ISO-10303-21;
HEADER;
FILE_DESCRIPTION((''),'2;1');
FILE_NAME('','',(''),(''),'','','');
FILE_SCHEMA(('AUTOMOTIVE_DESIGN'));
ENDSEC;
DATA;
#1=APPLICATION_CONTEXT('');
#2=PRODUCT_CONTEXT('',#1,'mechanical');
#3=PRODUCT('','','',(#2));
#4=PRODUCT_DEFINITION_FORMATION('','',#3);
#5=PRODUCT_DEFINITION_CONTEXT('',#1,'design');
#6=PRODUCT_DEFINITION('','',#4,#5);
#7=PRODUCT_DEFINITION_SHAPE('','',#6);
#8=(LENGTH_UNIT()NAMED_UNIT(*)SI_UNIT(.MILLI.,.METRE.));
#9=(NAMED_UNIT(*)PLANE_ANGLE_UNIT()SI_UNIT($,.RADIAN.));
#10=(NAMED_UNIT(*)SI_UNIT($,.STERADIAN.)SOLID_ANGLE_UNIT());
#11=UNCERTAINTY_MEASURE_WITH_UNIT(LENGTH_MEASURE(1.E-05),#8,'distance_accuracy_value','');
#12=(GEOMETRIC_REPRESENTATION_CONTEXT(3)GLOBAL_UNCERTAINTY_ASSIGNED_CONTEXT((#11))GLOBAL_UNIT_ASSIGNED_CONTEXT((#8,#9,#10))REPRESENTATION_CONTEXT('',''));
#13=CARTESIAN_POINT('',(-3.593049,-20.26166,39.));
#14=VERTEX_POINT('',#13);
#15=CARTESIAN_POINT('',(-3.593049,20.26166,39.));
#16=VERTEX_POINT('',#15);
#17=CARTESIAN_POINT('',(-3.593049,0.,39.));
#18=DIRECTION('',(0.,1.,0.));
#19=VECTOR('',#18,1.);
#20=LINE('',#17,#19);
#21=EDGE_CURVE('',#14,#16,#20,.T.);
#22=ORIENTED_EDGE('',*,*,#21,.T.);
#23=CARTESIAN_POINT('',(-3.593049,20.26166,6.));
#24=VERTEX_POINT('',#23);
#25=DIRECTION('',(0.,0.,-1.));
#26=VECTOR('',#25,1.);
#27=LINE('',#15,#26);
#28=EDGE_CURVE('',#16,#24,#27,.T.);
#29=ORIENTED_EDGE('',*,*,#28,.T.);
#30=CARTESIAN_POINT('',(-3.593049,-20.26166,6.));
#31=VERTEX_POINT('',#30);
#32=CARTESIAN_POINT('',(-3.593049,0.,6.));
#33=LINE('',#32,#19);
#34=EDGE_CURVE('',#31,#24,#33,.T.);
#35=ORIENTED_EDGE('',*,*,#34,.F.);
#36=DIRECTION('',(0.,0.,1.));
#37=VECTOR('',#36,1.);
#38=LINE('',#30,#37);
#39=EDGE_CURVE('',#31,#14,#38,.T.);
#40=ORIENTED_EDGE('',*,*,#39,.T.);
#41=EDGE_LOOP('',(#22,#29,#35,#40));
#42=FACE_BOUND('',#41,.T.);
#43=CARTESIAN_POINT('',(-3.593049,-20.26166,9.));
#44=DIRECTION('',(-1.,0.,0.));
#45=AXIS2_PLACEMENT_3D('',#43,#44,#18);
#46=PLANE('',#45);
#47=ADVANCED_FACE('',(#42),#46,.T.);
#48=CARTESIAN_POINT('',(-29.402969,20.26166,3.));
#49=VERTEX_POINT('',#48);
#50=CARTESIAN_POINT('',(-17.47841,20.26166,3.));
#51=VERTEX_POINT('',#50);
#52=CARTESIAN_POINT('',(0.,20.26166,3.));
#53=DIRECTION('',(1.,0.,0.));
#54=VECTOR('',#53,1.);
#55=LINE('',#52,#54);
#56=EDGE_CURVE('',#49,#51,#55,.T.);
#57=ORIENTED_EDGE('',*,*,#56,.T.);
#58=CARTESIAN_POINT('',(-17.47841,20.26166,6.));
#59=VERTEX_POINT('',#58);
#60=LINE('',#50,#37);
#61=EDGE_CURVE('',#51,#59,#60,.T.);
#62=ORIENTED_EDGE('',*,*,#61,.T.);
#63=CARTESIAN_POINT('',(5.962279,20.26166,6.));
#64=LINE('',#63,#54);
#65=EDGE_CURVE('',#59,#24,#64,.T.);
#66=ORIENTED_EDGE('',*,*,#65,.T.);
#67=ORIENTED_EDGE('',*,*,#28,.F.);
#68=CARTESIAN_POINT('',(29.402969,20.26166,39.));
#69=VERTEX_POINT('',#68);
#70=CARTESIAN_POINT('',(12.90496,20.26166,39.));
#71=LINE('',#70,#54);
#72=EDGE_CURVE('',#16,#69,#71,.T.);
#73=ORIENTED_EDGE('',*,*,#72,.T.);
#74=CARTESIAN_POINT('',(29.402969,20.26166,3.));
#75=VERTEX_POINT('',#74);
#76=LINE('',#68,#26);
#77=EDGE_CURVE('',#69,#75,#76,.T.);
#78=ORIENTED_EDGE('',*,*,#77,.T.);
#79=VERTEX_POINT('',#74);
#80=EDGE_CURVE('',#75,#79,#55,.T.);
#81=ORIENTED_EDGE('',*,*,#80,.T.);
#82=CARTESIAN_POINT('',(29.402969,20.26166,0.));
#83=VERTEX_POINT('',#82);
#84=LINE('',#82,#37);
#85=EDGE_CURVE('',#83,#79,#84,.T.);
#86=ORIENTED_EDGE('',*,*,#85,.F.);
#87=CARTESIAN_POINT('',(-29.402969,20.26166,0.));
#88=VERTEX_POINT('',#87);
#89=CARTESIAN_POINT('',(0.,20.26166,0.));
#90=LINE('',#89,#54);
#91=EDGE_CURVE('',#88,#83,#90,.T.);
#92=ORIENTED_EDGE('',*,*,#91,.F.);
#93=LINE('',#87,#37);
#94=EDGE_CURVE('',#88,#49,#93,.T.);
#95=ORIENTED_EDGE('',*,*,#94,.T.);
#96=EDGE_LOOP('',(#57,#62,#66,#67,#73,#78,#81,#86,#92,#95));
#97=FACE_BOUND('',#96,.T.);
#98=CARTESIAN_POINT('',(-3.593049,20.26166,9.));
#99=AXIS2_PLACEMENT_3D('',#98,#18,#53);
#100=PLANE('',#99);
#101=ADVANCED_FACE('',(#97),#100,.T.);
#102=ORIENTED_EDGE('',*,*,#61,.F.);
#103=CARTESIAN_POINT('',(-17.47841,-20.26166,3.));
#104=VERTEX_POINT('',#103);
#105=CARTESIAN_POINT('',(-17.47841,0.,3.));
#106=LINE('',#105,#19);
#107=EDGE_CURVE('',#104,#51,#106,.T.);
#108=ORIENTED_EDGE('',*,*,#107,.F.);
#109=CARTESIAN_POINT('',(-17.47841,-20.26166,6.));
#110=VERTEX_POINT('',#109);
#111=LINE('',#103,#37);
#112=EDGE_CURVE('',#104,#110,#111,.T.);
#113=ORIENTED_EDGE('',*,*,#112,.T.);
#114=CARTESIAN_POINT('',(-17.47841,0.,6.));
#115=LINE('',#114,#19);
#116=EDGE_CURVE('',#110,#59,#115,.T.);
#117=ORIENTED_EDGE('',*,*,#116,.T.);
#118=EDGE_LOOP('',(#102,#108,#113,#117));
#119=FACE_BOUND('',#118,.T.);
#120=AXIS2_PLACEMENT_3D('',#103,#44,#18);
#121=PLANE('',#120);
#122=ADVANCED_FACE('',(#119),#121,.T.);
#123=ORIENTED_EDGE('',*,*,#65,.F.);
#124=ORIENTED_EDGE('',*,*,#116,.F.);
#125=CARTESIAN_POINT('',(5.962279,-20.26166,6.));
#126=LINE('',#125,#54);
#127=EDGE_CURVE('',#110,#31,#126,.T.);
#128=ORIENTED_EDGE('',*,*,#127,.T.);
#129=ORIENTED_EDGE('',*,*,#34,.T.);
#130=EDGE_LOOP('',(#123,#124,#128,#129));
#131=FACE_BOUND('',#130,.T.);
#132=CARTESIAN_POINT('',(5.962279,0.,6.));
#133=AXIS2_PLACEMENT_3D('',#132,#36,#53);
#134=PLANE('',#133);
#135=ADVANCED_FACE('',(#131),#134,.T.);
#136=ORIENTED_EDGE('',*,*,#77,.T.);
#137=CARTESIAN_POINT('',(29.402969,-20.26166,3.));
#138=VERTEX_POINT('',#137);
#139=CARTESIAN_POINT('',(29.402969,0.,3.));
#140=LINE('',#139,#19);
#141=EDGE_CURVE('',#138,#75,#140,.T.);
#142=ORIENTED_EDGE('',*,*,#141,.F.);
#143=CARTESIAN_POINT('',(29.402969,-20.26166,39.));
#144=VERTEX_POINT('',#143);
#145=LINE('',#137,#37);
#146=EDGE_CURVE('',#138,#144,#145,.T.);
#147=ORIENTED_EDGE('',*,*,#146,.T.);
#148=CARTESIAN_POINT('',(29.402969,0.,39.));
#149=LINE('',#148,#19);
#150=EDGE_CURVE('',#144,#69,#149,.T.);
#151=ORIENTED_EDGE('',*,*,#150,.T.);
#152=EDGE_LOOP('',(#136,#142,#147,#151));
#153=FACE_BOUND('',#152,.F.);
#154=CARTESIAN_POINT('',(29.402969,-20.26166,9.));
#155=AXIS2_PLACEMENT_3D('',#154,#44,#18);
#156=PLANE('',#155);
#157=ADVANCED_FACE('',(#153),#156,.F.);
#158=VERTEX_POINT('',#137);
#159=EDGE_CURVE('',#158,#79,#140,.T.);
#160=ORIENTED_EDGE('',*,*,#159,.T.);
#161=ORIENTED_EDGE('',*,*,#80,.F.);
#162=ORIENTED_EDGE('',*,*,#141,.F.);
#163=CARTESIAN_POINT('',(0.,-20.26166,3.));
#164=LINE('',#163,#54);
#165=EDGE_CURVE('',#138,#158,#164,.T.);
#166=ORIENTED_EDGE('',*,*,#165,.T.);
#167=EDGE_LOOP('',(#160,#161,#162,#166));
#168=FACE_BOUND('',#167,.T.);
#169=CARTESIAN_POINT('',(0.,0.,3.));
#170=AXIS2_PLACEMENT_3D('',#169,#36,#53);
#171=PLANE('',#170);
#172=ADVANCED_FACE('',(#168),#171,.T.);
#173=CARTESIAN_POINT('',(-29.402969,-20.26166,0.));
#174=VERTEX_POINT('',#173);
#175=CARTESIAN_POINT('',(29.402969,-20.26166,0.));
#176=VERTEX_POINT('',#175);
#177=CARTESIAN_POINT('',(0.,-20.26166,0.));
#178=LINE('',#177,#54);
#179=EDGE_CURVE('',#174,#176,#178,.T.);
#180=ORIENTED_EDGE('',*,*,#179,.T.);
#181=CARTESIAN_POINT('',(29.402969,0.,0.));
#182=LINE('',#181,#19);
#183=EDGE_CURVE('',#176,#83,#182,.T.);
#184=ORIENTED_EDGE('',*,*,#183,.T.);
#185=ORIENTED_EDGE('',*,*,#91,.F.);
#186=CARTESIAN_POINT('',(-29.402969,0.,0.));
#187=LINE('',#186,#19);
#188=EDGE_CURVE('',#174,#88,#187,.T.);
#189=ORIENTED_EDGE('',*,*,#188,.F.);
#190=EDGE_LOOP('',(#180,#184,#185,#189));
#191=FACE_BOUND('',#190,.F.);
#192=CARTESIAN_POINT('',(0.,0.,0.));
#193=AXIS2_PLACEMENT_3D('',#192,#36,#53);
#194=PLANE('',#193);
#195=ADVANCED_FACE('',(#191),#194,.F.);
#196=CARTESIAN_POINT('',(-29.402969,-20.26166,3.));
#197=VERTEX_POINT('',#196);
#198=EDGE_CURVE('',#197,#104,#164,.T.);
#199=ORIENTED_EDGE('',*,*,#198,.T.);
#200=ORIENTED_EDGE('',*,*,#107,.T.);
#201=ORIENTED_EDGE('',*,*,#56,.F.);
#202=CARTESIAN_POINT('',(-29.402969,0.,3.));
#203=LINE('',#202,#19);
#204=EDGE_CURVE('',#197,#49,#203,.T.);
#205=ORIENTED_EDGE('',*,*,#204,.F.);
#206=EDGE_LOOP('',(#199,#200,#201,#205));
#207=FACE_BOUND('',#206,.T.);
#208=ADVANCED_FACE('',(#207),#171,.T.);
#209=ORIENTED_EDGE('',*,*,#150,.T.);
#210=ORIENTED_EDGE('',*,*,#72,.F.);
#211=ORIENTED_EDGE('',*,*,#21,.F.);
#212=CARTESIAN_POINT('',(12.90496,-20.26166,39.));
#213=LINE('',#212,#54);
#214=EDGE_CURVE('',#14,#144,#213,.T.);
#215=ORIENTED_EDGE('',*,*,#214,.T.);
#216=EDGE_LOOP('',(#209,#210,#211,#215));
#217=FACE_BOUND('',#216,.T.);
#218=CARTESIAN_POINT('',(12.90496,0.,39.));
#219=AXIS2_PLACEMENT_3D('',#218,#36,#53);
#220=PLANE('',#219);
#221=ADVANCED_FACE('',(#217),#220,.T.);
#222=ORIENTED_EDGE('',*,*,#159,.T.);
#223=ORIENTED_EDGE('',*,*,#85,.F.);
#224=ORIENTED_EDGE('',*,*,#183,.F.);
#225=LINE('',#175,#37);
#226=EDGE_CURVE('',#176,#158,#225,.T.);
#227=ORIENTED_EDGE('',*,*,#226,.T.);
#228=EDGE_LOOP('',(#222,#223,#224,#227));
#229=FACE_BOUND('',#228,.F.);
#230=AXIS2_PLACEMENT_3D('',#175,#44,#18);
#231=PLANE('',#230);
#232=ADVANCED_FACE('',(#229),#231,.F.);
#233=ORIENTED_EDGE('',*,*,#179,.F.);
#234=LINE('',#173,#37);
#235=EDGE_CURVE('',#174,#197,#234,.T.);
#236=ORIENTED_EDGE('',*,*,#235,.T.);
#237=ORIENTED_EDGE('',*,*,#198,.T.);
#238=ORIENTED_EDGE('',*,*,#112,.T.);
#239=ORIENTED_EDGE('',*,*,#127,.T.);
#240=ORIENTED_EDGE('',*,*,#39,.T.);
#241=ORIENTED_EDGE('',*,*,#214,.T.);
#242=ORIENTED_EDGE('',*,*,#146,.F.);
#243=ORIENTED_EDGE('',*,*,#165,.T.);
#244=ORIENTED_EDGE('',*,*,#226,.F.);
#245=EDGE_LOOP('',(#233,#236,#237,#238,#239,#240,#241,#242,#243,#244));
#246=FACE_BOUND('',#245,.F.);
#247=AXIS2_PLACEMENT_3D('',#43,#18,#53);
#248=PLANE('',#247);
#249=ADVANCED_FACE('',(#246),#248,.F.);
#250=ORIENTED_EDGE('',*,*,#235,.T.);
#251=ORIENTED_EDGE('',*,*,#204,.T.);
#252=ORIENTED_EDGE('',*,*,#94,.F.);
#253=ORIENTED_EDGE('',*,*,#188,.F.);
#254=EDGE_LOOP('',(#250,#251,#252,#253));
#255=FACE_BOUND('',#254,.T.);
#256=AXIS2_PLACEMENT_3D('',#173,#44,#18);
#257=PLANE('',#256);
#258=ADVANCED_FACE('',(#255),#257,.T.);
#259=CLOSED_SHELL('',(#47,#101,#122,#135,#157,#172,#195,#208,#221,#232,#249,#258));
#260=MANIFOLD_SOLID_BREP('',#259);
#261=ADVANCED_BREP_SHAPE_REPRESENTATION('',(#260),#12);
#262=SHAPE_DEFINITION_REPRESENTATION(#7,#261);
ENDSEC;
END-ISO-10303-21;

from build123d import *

# Parameters (mm, degrees)
F0_W     = 58.805938
F0_H     = 40.52332
F1_DEPTH = 3
F2_W     = 46.881379
F2_H     = 40.52332
F3_DEPTH = 3
F4_W     = 32.996017
F4_H     = 40.52332
F5_DEPTH = 3
F6_W     = 32.996017
F6_H     = 40.52332
F7_DEPTH = 30


with BuildPart() as f1:
    # F0 (on Top) → F1 (new body)
    with BuildSketch(Plane.XY):
        Rectangle(F0_W, F0_H)
    extrude(amount=F1_DEPTH)

    # F2 (on face) → F3 (join)
    with BuildSketch(Plane.XY.offset(3)):
        with Locations((5.962279, 0)):
            Rectangle(F2_W, F2_H)
    extrude(amount=F3_DEPTH)

    # F4 (on face) → F5 (join)
    with BuildSketch(Plane.XY.offset(6)):
        with Locations((12.90496, 0)):
            Rectangle(F4_W, F4_H)
    extrude(amount=F5_DEPTH)

    # F6 (on face) → F7 (join)
    with BuildSketch(Plane.XY.offset(9)):
        with Locations((12.90496, 0)):
            Rectangle(F6_W, F6_H)
    extrude(amount=F7_DEPTH)


solid = f1.part
